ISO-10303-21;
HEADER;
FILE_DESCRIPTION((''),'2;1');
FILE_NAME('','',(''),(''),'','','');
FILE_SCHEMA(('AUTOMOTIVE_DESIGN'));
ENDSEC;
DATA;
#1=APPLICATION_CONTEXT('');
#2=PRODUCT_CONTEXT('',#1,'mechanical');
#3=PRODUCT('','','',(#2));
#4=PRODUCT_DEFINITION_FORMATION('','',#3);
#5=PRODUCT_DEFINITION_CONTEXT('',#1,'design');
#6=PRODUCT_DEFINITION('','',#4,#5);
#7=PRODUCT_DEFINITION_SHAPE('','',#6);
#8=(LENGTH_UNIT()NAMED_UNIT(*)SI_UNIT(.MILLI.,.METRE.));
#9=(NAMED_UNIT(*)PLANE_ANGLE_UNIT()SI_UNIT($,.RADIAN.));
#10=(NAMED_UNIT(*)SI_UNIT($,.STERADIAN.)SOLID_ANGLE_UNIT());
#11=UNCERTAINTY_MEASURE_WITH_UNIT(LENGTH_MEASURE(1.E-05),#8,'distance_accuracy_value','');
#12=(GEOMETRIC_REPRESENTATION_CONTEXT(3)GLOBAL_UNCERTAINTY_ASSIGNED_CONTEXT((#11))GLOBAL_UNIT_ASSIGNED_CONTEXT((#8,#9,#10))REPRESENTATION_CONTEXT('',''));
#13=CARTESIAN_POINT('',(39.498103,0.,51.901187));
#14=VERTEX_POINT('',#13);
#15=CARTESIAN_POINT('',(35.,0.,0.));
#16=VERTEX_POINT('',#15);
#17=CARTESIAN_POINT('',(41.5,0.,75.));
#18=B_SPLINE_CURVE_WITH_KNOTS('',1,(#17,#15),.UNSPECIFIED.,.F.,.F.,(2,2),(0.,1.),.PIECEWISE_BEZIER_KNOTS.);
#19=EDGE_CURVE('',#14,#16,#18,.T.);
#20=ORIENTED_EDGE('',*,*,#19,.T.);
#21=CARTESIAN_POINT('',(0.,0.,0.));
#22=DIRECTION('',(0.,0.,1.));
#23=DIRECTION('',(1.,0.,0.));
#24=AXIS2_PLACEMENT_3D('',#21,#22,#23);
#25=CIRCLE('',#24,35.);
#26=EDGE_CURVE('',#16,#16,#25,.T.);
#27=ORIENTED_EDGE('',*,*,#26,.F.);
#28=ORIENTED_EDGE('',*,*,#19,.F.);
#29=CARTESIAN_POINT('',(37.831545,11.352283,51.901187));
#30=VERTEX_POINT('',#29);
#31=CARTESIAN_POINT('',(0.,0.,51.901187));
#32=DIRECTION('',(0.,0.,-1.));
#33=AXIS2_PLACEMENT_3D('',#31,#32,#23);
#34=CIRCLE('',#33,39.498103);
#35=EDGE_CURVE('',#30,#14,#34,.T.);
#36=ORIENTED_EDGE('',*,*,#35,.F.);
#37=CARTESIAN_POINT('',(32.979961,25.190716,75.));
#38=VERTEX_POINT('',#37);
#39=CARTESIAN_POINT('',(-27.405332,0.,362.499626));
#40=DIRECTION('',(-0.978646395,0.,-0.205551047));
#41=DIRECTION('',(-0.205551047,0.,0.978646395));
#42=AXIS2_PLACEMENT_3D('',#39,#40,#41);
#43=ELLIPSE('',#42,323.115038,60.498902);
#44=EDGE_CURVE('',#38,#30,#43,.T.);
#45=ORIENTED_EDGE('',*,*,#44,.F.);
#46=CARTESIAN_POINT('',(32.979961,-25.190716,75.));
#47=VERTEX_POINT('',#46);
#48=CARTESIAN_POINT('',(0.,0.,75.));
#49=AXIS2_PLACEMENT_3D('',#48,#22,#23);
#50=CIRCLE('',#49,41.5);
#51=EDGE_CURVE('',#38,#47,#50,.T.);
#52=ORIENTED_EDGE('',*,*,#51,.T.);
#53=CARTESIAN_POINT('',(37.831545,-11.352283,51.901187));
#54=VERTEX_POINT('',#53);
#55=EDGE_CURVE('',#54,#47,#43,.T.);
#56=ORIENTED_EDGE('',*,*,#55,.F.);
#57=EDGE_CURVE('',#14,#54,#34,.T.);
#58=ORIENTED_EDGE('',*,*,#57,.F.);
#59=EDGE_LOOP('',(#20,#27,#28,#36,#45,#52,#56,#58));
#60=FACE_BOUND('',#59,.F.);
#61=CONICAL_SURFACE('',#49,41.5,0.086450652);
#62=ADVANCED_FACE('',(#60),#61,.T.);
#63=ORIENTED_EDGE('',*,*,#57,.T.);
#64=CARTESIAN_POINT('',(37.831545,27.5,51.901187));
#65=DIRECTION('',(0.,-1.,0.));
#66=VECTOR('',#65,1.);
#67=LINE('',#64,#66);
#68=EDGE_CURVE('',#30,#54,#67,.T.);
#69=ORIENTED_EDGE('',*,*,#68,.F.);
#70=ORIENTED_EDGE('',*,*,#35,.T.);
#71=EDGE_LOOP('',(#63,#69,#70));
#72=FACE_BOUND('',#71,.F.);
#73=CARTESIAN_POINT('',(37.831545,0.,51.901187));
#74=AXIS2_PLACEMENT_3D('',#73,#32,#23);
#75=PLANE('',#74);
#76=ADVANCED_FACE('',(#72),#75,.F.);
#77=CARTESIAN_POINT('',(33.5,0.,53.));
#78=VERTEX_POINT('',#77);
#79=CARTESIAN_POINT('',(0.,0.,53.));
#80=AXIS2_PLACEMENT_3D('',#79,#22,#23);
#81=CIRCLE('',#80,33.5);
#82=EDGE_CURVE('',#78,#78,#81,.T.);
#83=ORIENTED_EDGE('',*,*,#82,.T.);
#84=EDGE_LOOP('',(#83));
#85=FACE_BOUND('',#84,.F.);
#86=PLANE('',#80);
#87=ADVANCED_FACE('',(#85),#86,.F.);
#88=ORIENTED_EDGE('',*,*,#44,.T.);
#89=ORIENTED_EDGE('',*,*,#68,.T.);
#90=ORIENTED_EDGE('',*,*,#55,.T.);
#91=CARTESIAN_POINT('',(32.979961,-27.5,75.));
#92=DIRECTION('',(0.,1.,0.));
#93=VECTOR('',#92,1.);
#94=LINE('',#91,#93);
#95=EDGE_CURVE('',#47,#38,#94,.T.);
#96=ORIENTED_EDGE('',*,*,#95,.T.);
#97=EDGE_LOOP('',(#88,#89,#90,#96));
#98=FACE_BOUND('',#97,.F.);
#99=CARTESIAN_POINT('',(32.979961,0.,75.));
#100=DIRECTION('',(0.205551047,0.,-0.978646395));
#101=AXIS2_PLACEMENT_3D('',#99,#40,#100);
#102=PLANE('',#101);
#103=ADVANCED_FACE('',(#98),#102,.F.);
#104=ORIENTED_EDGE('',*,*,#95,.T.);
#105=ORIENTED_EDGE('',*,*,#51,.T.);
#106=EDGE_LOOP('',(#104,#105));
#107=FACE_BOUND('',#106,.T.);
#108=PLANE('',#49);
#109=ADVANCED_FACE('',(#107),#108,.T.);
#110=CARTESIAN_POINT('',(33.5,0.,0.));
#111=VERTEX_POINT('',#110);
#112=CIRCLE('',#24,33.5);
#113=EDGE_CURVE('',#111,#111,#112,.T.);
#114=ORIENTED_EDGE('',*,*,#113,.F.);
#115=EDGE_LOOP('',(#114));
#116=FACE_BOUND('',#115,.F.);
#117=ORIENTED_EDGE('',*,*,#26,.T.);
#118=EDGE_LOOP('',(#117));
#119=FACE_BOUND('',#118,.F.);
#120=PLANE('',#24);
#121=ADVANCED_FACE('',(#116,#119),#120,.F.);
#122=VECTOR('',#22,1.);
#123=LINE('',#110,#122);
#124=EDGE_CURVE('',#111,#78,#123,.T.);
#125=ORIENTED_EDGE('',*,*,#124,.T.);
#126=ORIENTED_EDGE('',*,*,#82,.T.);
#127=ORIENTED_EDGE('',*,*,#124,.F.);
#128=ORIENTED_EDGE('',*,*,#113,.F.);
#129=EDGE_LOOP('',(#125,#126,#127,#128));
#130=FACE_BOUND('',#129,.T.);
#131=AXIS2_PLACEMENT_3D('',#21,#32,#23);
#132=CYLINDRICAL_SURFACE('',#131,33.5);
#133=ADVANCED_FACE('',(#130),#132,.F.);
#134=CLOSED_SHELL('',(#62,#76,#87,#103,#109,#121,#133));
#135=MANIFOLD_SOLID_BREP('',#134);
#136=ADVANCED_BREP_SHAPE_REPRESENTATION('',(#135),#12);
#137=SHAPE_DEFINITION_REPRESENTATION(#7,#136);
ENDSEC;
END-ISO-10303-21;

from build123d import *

# Parameters (mm, degrees)
F2_R     = 41.5
F0_R     = 35
F6_DEPTH = 27.5
F7_R     = 33.5
F8_DEPTH = 53


with BuildPart() as f3:
    # F2 (on offset) → F3 section 0
    with BuildSketch(Plane.XY.offset(75)):
        Circle(F2_R)
    # F0 (on Top) → F3 section 1
    with BuildSketch(Plane.XY):
        Circle(F0_R)
    loft()

    # F5 (on Front) → F6 (cut, symmetric)
    with BuildSketch(Plane.XZ):
        Polygon((32.979961, 75), (37.831545, 51.901187), (40.54823, 51.901187), (42.30484, 75), align=None)
    extrude(amount=F6_DEPTH, both=True, mode=Mode.SUBTRACT)

    # F7 (on Top) → F8 (cut)
    with BuildSketch(Plane.XY):
        Circle(F7_R)
    extrude(amount=F8_DEPTH, mode=Mode.SUBTRACT)


solid = f3.part
